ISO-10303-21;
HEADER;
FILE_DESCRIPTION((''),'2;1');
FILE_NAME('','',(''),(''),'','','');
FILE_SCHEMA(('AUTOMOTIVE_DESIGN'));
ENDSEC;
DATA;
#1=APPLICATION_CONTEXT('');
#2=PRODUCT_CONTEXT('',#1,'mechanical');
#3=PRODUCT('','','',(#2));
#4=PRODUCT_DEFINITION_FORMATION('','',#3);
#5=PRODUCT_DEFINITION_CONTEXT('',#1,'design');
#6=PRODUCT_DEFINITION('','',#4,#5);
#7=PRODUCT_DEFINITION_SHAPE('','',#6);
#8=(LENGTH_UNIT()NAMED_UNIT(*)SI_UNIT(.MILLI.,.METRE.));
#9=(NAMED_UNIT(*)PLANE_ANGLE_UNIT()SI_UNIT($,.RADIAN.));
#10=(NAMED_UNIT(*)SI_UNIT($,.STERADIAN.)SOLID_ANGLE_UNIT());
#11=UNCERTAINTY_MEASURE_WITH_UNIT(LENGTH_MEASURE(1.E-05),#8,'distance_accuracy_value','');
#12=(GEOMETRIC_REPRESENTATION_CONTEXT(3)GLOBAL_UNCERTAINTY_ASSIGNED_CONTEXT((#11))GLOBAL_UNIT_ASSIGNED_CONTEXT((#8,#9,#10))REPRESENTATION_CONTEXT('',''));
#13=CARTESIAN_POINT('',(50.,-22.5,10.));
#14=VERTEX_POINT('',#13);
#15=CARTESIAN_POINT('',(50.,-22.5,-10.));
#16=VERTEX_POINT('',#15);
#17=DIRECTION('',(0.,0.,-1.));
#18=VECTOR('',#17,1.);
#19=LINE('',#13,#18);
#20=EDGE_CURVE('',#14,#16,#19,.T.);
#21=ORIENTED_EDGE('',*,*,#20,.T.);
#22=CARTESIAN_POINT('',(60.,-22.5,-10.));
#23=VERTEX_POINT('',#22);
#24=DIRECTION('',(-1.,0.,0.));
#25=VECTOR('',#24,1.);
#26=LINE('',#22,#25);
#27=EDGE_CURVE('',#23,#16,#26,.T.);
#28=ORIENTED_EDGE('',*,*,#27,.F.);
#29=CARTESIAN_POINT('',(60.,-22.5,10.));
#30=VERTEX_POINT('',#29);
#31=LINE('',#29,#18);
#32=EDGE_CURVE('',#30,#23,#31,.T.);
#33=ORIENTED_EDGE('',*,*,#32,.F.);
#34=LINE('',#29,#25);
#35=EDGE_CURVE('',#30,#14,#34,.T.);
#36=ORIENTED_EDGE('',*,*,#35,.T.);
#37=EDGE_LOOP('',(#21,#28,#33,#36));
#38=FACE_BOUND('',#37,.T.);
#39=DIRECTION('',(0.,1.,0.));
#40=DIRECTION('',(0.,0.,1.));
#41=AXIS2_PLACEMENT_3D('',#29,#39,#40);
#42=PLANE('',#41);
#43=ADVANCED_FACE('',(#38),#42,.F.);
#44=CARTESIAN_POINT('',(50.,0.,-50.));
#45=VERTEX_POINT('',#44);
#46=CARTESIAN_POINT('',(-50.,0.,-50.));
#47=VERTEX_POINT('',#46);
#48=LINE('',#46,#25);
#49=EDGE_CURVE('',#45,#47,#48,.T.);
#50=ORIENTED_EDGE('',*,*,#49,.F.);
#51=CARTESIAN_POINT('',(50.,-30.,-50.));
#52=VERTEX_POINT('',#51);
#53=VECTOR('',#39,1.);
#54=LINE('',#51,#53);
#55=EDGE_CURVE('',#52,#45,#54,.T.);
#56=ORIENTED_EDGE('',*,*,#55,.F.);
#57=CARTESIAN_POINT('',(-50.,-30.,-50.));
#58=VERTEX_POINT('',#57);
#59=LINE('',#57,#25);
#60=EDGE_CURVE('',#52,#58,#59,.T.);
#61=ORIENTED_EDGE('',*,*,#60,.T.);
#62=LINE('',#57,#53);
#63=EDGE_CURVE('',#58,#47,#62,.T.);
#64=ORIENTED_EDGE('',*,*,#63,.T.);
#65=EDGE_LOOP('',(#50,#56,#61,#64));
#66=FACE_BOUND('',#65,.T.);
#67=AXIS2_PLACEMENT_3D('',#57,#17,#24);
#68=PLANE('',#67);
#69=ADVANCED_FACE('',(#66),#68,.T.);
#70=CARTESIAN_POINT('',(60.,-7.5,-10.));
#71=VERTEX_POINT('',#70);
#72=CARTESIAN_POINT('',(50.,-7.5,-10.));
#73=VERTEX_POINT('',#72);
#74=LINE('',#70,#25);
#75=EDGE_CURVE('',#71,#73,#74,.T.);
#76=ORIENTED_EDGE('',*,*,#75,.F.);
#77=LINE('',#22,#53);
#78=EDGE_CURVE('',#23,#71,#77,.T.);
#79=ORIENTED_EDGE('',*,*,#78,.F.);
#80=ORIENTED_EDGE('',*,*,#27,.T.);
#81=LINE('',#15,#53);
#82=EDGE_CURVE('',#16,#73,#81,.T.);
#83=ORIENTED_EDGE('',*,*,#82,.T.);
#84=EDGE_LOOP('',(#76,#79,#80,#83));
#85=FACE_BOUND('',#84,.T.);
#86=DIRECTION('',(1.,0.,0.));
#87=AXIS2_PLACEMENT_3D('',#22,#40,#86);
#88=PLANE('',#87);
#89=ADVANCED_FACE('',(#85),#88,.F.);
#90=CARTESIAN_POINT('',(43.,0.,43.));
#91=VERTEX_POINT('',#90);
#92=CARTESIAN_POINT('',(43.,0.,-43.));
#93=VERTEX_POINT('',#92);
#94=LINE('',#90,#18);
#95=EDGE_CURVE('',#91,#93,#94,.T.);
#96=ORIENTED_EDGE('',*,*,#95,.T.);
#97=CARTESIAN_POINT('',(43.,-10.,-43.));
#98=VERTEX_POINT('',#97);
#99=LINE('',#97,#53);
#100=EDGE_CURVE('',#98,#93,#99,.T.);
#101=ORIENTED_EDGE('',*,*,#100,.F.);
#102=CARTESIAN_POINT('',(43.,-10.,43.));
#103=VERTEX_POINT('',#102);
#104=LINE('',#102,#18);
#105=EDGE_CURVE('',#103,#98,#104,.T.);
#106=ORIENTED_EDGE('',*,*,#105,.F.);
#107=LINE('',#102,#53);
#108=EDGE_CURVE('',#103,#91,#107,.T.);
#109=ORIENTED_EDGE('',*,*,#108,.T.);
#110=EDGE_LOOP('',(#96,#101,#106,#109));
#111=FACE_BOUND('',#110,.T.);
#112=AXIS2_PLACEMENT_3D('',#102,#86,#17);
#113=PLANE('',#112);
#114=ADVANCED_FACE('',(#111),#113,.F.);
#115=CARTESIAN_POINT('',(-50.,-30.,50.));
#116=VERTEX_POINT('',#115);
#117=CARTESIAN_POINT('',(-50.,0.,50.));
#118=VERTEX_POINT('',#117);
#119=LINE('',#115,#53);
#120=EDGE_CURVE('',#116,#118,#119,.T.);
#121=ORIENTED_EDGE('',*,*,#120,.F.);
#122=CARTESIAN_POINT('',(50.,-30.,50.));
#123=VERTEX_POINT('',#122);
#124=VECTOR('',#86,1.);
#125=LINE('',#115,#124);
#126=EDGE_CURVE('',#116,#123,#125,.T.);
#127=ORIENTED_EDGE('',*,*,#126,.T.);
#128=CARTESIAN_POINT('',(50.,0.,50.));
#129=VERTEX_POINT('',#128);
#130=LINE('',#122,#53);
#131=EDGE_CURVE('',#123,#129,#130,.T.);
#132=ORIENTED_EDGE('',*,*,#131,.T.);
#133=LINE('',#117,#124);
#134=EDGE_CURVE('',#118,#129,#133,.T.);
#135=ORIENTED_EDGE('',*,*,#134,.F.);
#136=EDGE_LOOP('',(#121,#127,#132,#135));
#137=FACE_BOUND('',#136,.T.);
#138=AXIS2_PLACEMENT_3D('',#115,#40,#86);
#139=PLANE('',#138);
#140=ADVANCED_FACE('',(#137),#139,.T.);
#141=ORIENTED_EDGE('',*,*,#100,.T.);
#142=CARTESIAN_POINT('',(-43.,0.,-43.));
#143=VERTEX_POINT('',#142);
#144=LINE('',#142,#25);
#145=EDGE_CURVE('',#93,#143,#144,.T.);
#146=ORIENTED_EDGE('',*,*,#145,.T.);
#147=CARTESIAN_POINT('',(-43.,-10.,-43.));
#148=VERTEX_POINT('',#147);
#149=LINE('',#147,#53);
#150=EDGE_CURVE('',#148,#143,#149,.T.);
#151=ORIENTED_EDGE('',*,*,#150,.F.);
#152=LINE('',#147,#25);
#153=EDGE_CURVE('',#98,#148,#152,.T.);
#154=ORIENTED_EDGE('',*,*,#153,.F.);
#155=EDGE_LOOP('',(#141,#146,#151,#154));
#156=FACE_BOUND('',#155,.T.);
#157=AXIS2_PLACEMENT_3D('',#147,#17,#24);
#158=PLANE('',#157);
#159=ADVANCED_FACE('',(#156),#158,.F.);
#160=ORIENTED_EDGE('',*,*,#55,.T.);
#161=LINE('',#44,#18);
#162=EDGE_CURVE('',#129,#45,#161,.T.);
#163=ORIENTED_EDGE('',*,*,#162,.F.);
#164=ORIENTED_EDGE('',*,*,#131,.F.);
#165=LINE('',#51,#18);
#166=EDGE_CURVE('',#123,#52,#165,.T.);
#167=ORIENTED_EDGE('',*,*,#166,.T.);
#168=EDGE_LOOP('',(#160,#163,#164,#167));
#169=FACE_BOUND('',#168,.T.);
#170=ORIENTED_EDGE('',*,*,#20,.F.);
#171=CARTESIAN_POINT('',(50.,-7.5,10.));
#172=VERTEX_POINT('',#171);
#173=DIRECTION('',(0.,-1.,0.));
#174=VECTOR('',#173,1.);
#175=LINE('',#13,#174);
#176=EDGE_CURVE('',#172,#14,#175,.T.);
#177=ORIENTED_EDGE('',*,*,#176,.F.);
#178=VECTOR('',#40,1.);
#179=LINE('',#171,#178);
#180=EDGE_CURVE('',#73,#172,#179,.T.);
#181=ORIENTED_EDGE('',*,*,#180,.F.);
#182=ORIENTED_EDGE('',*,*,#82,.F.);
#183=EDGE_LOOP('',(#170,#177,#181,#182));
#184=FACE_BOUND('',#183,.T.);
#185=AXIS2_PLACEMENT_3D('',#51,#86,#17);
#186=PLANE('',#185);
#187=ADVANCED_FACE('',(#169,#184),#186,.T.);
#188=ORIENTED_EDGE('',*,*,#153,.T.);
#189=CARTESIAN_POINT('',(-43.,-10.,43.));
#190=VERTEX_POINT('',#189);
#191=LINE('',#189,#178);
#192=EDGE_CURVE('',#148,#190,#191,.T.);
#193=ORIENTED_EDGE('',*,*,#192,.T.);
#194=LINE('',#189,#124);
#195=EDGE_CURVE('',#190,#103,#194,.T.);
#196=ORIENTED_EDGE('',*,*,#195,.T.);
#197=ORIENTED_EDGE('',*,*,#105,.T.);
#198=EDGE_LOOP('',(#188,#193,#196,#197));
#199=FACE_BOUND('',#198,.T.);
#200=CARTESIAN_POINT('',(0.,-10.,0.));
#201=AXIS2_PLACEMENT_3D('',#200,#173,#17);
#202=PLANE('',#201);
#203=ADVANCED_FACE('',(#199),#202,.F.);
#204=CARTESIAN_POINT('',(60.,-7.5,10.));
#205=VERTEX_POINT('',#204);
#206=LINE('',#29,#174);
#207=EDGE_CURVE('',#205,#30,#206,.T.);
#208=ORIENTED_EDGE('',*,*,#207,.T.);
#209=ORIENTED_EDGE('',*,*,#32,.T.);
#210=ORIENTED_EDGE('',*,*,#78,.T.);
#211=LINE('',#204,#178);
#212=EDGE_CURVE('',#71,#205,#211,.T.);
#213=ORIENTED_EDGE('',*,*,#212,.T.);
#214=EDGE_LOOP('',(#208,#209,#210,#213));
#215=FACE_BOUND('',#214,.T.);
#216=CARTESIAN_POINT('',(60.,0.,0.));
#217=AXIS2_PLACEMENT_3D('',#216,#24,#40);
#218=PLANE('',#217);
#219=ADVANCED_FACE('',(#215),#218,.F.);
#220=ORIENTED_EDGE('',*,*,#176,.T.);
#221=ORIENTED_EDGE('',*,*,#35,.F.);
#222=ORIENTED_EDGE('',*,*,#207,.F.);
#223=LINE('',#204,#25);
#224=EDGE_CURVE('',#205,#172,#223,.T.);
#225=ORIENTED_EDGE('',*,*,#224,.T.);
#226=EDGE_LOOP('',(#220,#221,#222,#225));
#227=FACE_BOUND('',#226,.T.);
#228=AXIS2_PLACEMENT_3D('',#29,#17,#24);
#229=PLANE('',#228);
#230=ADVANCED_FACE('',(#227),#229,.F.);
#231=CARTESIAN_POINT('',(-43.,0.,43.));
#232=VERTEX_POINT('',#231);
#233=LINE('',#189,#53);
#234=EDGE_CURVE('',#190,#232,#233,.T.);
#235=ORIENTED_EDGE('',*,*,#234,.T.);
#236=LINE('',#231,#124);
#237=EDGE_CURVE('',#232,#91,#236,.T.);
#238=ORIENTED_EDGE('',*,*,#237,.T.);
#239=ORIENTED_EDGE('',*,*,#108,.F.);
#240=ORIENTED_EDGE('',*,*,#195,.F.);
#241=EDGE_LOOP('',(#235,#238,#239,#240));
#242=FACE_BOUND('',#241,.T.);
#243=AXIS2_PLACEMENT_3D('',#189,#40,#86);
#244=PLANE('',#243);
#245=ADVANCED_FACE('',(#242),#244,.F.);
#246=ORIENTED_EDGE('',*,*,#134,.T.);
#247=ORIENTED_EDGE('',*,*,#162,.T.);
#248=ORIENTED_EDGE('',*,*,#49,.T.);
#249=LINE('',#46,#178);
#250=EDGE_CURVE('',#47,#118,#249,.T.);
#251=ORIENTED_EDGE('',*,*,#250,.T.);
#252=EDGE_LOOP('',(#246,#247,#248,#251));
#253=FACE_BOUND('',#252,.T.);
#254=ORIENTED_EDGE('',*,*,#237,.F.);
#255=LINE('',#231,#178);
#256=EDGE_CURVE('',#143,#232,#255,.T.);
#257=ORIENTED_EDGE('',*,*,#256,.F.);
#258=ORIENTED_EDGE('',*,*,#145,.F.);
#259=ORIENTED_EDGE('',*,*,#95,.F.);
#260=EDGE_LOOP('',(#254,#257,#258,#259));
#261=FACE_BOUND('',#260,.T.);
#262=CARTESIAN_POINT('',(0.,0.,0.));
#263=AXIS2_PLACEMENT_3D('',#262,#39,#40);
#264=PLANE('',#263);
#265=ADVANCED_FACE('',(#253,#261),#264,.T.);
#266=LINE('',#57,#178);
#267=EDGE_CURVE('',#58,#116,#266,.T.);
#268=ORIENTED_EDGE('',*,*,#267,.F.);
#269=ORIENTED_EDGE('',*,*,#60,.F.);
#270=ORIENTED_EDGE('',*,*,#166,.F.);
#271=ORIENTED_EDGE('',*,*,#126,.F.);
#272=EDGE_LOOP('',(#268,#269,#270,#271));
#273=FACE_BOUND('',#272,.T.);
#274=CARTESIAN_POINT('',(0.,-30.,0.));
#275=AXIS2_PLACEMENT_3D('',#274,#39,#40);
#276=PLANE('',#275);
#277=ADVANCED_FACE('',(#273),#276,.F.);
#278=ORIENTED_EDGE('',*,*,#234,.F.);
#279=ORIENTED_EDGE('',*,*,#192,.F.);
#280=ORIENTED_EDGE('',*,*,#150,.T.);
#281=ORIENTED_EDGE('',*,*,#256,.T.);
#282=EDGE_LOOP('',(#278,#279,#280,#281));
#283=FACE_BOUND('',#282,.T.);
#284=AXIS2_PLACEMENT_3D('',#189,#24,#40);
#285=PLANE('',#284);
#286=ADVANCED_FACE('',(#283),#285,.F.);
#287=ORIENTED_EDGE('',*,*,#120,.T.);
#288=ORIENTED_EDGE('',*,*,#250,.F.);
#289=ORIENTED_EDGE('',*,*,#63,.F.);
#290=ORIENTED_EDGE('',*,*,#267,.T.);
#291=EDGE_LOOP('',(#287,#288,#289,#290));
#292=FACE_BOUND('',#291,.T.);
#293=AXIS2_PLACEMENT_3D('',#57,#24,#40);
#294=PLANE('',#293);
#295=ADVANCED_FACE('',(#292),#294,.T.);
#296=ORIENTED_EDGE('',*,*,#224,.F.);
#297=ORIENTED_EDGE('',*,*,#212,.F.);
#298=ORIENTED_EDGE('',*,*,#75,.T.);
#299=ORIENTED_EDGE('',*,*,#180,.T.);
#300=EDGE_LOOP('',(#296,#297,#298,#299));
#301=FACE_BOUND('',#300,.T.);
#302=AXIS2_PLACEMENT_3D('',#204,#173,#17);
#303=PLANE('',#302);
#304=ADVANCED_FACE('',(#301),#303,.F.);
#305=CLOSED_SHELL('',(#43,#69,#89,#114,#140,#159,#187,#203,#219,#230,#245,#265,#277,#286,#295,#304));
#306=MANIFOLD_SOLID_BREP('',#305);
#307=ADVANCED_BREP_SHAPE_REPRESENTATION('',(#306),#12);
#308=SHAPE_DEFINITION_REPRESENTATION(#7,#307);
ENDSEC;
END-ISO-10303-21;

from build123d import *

# Parameters (mm, degrees)
SKETCH1_W           = 100
SKETCH1_H           = 100
BOSS_EXTRUDE1_DEPTH = 30
SKETCH2_W           = 86
SKETCH2_H           = 86
CUT_EXTRUDE1_DEPTH  = 10
SKETCH3_W           = 20
SKETCH3_H           = 15
BOSS_EXTRUDE2_DEPTH = 10


with BuildPart() as part:
    # Sketch1 → Boss-Extrude1 (new body)
    with BuildSketch(Plane(origin=(0, 0, 0), x_dir=(1, 0, 0), z_dir=(0, 1, 0))):
        Rectangle(SKETCH1_W, SKETCH1_H)
    extrude(amount=-BOSS_EXTRUDE1_DEPTH)

    # Sketch2 → Cut-Extrude1 (cut)
    with BuildSketch(Plane(origin=(0, 0, 0), x_dir=(1, 0, 0), z_dir=(0, 1, 0))):
        Rectangle(SKETCH2_W, SKETCH2_H)
    extrude(amount=-CUT_EXTRUDE1_DEPTH, mode=Mode.SUBTRACT)

    # Sketch3 → Boss-Extrude2 (add)
    with BuildSketch(Plane(origin=(50, 0, 0), x_dir=(0, 0, -1), z_dir=(1, 0, 0))):
        with Locations((0, -15)):
            Rectangle(SKETCH3_W, SKETCH3_H)
    extrude(amount=BOSS_EXTRUDE2_DEPTH)


solid = part.part
